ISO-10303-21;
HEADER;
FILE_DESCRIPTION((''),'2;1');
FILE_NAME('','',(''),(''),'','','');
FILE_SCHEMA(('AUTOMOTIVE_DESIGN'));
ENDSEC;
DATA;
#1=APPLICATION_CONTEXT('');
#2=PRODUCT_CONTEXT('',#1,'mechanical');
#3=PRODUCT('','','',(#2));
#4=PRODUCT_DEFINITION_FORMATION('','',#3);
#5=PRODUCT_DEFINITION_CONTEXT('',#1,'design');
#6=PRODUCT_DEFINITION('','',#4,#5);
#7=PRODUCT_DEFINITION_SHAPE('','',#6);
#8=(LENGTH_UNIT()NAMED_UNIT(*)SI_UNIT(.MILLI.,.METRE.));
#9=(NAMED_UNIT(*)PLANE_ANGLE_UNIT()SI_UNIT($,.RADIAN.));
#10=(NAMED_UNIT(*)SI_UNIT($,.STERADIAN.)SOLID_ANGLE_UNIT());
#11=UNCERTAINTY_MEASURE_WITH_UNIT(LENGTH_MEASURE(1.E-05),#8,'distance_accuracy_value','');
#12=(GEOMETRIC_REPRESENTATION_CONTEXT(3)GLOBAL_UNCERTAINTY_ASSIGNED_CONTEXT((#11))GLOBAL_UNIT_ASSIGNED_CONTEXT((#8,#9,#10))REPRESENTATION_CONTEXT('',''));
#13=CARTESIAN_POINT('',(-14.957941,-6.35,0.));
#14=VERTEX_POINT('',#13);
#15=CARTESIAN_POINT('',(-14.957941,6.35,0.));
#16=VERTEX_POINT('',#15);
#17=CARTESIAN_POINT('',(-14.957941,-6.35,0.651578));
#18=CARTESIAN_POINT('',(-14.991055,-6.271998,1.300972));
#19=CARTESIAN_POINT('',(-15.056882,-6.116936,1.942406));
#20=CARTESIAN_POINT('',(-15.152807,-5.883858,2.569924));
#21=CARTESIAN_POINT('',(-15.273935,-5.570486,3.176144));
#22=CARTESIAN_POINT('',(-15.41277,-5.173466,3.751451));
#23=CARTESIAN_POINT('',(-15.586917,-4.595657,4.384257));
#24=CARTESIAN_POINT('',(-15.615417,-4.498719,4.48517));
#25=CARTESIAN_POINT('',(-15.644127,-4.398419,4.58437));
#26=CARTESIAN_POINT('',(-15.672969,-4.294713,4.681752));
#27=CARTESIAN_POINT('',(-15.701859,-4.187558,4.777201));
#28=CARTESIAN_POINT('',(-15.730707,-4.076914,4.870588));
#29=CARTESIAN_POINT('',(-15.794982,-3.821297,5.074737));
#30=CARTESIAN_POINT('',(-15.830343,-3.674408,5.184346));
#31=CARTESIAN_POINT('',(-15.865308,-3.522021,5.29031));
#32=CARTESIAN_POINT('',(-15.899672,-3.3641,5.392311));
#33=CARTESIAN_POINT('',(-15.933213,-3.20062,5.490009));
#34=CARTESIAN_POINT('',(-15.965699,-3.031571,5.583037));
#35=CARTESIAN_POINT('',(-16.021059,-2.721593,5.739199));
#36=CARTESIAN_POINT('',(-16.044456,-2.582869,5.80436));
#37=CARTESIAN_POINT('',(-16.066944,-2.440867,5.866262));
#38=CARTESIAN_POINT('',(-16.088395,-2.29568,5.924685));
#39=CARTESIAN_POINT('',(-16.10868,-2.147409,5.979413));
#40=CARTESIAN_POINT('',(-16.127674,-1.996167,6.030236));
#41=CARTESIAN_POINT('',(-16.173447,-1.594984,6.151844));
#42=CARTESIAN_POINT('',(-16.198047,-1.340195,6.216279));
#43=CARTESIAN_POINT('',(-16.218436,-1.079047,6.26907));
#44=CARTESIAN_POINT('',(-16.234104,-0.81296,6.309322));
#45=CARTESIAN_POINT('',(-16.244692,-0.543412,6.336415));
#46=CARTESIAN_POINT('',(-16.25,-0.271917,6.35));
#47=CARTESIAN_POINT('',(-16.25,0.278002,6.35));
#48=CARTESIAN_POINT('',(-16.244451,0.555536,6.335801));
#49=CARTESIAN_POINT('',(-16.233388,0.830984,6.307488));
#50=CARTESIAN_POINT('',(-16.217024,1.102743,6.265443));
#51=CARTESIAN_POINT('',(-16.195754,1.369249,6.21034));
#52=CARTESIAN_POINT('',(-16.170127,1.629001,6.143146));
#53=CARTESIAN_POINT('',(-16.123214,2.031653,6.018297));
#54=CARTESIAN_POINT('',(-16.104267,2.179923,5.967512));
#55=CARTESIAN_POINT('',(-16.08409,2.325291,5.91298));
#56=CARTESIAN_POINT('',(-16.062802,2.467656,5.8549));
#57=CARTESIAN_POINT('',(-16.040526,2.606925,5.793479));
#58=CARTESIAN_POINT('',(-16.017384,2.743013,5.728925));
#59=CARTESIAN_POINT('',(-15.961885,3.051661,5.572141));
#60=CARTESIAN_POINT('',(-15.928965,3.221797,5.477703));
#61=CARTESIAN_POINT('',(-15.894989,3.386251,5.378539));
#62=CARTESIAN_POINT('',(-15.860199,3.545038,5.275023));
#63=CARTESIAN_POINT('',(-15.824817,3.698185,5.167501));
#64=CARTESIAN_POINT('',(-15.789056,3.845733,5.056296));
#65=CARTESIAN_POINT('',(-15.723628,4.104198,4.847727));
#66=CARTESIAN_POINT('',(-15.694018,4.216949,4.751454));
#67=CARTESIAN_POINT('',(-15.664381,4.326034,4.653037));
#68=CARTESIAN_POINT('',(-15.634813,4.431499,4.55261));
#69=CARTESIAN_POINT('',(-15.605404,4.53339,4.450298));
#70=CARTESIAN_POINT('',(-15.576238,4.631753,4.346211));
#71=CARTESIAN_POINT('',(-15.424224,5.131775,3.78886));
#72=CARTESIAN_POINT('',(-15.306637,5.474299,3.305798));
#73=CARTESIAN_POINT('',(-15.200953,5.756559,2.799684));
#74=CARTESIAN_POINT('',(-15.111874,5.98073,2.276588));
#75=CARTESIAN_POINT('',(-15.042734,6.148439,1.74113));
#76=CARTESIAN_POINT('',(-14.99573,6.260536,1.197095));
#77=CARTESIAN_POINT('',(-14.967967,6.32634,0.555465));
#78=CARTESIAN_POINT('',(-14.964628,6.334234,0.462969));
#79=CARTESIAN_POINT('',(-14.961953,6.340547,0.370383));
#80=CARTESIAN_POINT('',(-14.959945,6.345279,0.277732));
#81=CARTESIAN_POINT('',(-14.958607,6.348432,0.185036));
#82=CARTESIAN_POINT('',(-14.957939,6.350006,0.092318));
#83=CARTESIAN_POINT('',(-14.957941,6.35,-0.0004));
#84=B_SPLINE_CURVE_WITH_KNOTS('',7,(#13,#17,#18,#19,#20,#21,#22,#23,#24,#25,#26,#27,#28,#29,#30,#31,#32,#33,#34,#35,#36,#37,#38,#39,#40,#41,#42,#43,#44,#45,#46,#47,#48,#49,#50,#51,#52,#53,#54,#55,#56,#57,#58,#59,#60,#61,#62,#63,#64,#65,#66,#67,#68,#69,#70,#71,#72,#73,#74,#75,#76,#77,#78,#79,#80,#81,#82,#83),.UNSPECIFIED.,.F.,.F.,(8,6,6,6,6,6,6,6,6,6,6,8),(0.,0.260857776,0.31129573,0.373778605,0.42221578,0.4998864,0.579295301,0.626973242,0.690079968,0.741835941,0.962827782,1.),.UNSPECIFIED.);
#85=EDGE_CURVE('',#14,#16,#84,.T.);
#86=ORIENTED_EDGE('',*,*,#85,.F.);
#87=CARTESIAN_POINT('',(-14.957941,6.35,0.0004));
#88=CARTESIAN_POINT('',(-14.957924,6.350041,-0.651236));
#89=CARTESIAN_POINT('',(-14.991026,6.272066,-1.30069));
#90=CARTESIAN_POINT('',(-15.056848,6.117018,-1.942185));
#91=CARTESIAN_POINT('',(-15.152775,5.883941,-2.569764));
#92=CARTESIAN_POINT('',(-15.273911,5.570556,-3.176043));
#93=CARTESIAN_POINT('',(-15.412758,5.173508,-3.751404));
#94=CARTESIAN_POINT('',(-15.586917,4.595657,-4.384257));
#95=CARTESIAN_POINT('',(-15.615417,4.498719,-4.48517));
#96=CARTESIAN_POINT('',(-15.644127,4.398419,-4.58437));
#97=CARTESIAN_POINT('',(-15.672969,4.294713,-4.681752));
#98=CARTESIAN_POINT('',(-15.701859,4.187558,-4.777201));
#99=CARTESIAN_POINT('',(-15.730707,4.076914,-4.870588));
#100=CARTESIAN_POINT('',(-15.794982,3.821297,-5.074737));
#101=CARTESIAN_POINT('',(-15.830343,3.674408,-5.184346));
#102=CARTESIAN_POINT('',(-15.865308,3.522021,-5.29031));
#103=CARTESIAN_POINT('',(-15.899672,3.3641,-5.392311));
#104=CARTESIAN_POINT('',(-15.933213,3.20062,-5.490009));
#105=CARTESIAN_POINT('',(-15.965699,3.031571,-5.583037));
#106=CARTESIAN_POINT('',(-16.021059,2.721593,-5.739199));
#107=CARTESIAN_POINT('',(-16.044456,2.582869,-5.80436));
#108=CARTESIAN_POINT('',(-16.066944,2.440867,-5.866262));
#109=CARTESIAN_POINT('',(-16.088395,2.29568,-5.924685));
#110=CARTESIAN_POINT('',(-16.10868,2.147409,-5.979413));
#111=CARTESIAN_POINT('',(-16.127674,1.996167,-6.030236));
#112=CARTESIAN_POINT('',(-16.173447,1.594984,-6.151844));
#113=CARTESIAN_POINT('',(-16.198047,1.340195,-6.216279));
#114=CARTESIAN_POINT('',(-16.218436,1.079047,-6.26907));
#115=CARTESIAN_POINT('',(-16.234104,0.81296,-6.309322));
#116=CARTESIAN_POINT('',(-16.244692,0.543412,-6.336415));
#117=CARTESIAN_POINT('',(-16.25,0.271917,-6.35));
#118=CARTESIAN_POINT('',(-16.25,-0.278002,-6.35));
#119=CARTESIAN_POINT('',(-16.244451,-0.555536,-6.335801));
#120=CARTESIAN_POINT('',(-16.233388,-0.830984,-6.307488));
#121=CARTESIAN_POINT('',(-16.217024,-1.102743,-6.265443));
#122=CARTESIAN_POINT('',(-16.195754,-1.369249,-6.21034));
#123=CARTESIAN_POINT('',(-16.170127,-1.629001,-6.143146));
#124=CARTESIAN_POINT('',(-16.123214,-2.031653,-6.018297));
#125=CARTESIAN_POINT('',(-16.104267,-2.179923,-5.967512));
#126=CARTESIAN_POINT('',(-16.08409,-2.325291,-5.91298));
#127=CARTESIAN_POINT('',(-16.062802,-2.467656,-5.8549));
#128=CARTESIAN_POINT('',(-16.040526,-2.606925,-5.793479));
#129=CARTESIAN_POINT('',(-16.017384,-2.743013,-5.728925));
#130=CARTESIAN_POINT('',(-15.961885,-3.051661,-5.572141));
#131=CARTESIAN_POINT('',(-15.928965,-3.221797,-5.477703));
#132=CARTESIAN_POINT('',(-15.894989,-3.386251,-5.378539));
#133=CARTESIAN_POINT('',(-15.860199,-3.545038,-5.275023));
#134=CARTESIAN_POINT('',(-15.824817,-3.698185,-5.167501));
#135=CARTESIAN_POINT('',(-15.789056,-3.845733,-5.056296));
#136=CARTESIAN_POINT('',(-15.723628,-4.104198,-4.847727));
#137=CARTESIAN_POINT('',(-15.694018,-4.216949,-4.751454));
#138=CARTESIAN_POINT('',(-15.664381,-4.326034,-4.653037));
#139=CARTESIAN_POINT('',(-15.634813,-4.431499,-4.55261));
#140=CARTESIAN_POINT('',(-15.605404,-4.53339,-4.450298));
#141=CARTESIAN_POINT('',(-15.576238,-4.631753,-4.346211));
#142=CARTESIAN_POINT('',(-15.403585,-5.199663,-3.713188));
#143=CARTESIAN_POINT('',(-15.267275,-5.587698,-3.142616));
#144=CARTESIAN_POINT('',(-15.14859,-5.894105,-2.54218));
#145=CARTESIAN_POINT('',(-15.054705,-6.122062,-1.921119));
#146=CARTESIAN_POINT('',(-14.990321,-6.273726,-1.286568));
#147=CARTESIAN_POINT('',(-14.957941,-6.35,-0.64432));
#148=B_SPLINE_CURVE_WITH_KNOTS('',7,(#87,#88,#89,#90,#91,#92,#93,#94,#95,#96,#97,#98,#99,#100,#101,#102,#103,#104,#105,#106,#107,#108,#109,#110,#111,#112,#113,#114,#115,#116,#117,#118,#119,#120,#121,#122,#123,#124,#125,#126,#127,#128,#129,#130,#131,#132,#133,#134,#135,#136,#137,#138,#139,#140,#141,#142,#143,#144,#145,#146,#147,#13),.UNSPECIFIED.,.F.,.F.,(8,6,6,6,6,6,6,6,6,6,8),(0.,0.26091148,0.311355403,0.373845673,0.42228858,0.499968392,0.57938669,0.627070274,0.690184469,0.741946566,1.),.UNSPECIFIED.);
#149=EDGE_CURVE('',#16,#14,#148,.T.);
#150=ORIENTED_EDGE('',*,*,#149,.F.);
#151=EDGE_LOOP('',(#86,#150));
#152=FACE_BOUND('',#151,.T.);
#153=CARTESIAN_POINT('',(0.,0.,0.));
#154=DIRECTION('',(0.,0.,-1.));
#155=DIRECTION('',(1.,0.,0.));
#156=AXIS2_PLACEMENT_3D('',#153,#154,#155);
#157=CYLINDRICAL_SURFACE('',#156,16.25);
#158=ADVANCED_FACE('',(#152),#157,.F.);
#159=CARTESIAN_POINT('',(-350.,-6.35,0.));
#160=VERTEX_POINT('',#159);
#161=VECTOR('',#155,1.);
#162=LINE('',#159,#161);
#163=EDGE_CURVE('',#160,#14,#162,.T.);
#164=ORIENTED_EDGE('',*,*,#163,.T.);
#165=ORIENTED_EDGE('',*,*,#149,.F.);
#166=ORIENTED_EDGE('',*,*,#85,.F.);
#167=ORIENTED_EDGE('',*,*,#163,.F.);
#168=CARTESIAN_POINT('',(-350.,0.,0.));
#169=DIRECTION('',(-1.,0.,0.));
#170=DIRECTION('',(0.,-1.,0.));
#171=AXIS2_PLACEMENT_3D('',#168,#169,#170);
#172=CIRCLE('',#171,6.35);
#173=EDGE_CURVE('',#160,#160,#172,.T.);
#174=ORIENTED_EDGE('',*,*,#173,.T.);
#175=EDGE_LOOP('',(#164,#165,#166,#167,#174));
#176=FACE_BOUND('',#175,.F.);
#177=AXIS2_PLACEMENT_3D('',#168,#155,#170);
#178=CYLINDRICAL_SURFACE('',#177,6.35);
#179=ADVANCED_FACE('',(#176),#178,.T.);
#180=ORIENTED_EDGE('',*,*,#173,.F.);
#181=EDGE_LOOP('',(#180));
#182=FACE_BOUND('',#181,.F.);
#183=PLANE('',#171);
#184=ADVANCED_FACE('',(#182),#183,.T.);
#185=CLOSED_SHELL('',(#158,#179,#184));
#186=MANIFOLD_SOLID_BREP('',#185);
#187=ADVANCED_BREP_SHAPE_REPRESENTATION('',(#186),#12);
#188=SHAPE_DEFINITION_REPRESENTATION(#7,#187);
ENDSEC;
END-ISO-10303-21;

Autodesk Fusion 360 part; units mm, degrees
sketch "Sketch2" plane through (0, 0, 0) normal (0, 0, 1) x (1, 0, 0)
  line L0 (0, 0) -> (-350, 0)
  line L1 (-350, 0) -> (-350, -6.35)
  line L2 (-350, -6.35) -> (0, -6.35)
  line L3 (0, -6.35) -> (0, 0)
  dimension "d1" = 350
  dimension "d2" = 6.35
revolve "Revolve1" add sketch "Sketch2" angle 360 about axis through (0, 0, 0) along (-1, 0, 0)
sketch "Sketch3" plane through (0, 0, 0) normal (0, 0, 1) x (1, 0, 0)
  circle A0 centre (0, 0) radius 16.25
  dimension "d4" = 32.5
extrude "Extrude1" cut sketch "Sketch3" along normal through all and the other way through all
